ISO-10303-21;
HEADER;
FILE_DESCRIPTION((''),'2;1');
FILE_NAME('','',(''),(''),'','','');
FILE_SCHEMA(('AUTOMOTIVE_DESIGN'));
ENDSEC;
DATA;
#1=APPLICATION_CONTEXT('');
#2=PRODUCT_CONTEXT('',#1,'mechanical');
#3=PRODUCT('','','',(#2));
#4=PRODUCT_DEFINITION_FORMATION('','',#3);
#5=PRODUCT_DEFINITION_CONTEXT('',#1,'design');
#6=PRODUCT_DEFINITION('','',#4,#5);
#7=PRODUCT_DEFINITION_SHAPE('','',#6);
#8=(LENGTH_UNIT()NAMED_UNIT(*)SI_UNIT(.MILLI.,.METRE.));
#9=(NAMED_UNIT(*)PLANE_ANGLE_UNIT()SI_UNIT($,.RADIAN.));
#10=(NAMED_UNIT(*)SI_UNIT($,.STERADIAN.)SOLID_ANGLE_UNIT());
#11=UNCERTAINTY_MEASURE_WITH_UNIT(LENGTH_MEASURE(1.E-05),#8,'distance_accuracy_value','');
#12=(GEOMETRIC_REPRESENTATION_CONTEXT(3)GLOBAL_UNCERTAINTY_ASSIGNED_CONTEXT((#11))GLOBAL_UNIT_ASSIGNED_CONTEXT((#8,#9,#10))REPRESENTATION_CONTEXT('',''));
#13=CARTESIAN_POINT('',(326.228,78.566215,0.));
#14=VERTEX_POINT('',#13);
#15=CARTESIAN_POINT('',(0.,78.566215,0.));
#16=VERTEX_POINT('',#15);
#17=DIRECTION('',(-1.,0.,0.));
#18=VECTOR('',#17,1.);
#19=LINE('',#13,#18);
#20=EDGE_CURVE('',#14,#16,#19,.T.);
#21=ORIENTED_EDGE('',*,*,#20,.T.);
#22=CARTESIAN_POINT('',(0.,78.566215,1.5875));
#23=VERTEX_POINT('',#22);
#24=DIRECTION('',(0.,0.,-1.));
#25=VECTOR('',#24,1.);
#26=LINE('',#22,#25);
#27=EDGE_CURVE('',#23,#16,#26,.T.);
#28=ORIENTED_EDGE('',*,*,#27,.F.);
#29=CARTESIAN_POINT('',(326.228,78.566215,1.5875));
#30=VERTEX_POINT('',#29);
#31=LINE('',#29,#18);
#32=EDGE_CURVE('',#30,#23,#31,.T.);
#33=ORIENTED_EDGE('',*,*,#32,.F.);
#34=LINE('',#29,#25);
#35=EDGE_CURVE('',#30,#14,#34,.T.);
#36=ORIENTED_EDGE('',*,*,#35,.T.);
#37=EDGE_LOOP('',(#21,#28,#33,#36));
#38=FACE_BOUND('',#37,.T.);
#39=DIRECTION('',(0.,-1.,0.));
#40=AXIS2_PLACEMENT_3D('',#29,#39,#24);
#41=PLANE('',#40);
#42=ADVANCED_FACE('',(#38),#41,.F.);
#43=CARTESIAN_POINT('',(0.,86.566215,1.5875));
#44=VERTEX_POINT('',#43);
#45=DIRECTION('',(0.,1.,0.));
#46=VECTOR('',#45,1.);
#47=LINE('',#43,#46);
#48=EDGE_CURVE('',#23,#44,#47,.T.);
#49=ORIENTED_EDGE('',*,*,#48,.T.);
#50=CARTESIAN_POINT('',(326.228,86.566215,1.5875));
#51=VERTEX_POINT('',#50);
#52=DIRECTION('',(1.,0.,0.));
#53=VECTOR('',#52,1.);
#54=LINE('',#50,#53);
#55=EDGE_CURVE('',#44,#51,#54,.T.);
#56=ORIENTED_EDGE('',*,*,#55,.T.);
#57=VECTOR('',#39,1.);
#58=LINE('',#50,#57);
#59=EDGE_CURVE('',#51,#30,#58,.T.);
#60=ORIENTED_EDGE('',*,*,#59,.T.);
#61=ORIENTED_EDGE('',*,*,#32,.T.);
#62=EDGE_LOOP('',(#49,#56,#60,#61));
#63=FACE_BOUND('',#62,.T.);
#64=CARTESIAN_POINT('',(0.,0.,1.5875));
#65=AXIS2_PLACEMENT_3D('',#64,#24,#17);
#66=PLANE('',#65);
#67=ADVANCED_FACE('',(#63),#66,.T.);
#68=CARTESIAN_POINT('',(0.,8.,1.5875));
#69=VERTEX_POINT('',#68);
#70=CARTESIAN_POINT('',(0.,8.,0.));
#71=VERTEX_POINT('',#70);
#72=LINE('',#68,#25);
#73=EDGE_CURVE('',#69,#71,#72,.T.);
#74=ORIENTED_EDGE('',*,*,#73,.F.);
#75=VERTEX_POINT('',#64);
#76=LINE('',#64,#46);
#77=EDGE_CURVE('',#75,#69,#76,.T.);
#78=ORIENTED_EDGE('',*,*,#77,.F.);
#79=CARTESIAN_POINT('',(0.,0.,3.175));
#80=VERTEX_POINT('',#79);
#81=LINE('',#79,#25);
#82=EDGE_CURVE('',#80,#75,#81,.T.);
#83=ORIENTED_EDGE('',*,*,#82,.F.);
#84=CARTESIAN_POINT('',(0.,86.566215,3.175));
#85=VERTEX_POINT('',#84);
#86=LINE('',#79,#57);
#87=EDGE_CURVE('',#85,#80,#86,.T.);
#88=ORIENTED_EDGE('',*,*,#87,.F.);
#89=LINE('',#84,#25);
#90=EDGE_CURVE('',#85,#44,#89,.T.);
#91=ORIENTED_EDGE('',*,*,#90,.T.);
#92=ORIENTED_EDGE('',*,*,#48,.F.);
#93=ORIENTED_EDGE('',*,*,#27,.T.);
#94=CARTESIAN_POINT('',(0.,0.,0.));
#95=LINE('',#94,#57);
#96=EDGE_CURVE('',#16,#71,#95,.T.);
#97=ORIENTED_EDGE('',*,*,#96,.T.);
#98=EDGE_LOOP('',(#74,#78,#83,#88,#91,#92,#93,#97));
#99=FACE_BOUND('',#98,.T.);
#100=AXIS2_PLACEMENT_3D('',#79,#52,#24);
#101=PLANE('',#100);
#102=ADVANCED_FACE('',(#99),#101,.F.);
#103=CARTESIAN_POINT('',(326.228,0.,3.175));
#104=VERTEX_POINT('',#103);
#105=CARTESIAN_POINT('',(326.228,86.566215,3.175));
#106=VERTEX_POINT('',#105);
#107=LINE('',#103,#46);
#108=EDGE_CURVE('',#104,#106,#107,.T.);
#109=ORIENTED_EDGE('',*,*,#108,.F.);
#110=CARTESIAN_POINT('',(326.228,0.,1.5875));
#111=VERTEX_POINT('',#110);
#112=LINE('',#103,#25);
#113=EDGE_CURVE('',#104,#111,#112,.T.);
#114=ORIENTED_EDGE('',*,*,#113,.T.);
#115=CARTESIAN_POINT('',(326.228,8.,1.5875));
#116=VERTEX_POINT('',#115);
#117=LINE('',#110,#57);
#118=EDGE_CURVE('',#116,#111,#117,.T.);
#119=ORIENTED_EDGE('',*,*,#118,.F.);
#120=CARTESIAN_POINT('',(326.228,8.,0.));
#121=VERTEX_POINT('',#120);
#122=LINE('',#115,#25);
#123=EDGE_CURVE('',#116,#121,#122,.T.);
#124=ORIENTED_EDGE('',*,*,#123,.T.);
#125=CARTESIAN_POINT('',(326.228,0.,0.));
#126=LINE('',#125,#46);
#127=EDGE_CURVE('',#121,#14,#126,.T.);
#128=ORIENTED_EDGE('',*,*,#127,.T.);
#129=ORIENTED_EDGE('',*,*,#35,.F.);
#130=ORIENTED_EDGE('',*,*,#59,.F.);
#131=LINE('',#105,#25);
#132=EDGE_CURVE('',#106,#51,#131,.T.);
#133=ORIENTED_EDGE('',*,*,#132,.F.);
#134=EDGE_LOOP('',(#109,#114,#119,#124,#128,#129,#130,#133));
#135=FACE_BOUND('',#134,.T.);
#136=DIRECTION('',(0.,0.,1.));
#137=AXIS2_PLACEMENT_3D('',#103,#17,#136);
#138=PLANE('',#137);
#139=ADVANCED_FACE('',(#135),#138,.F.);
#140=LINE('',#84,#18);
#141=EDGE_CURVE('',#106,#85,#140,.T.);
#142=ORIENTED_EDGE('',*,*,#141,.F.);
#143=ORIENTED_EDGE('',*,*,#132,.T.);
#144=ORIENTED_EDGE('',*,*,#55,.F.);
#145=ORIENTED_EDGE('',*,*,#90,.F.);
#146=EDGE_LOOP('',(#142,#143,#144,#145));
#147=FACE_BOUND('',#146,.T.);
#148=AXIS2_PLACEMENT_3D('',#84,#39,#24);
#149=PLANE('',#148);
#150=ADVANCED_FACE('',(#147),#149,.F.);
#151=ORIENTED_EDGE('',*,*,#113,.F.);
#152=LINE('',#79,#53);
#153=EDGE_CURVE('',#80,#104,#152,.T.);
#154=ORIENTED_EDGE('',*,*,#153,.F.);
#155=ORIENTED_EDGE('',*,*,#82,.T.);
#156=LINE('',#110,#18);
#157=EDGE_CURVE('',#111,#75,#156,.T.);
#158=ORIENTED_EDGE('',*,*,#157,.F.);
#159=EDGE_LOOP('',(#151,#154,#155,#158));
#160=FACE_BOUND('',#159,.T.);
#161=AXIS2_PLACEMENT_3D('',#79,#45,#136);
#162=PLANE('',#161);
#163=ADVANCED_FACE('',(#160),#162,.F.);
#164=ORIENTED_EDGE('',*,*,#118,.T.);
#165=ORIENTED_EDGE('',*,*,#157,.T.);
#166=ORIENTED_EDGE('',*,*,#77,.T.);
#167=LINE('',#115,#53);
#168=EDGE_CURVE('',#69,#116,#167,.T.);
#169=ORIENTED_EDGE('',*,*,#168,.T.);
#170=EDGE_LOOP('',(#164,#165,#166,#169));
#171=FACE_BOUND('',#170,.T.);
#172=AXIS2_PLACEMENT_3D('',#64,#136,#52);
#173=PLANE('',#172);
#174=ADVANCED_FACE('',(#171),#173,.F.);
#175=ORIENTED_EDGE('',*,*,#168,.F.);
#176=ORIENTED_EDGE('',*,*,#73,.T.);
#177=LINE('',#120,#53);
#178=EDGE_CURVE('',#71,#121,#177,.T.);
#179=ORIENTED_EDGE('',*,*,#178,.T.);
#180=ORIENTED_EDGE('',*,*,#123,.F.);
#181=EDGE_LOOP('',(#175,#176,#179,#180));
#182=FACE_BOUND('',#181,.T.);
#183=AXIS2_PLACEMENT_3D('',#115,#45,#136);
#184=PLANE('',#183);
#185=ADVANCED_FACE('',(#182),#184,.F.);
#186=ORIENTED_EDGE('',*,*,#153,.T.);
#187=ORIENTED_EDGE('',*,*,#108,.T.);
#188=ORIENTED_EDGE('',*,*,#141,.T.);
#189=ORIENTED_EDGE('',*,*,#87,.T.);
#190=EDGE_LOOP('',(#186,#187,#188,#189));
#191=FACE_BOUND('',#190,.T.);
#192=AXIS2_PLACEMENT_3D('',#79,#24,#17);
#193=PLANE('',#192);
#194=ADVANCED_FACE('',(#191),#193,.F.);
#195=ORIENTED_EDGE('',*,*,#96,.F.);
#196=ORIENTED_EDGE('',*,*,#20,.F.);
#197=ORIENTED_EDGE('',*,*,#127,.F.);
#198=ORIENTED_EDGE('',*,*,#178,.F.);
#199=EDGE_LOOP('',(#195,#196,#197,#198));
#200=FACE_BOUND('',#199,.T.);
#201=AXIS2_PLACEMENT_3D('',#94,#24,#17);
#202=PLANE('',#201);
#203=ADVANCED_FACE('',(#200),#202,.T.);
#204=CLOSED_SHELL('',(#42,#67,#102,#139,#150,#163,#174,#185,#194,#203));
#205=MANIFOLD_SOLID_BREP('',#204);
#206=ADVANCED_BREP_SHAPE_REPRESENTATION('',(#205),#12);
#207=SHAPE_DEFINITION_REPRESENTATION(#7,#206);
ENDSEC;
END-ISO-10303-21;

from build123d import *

# Parameters (mm, degrees)
SKETCH1_W           = 326.228
SKETCH1_H           = 86.566214515
BOSS_EXTRUDE1_DEPTH = 3.175
SKETCH3_W           = 326.228
SKETCH3_H           = 8
CUT_EXTRUDE2_DEPTH  = 1.5875


with BuildPart() as part:
    # Sketch1 → Boss-Extrude1 (new body)
    with BuildSketch(Plane.XY):
        with Locations((163.114, 43.283107257)):
            Rectangle(SKETCH1_W, SKETCH1_H)
    extrude(amount=BOSS_EXTRUDE1_DEPTH)

    # Sketch3 → Cut-Extrude2 (cut)
    with BuildSketch(Plane(origin=(0, 0, 0), x_dir=(-1, 0, 0), z_dir=(0, 0, -1))):
        with Locations((-163.114, 4)):
            Rectangle(SKETCH3_W, SKETCH3_H)
        with Locations((-163.114, 82.566214515)):
            Rectangle(SKETCH3_W, SKETCH3_H)
    extrude(amount=-CUT_EXTRUDE2_DEPTH, mode=Mode.SUBTRACT)


solid = part.part
